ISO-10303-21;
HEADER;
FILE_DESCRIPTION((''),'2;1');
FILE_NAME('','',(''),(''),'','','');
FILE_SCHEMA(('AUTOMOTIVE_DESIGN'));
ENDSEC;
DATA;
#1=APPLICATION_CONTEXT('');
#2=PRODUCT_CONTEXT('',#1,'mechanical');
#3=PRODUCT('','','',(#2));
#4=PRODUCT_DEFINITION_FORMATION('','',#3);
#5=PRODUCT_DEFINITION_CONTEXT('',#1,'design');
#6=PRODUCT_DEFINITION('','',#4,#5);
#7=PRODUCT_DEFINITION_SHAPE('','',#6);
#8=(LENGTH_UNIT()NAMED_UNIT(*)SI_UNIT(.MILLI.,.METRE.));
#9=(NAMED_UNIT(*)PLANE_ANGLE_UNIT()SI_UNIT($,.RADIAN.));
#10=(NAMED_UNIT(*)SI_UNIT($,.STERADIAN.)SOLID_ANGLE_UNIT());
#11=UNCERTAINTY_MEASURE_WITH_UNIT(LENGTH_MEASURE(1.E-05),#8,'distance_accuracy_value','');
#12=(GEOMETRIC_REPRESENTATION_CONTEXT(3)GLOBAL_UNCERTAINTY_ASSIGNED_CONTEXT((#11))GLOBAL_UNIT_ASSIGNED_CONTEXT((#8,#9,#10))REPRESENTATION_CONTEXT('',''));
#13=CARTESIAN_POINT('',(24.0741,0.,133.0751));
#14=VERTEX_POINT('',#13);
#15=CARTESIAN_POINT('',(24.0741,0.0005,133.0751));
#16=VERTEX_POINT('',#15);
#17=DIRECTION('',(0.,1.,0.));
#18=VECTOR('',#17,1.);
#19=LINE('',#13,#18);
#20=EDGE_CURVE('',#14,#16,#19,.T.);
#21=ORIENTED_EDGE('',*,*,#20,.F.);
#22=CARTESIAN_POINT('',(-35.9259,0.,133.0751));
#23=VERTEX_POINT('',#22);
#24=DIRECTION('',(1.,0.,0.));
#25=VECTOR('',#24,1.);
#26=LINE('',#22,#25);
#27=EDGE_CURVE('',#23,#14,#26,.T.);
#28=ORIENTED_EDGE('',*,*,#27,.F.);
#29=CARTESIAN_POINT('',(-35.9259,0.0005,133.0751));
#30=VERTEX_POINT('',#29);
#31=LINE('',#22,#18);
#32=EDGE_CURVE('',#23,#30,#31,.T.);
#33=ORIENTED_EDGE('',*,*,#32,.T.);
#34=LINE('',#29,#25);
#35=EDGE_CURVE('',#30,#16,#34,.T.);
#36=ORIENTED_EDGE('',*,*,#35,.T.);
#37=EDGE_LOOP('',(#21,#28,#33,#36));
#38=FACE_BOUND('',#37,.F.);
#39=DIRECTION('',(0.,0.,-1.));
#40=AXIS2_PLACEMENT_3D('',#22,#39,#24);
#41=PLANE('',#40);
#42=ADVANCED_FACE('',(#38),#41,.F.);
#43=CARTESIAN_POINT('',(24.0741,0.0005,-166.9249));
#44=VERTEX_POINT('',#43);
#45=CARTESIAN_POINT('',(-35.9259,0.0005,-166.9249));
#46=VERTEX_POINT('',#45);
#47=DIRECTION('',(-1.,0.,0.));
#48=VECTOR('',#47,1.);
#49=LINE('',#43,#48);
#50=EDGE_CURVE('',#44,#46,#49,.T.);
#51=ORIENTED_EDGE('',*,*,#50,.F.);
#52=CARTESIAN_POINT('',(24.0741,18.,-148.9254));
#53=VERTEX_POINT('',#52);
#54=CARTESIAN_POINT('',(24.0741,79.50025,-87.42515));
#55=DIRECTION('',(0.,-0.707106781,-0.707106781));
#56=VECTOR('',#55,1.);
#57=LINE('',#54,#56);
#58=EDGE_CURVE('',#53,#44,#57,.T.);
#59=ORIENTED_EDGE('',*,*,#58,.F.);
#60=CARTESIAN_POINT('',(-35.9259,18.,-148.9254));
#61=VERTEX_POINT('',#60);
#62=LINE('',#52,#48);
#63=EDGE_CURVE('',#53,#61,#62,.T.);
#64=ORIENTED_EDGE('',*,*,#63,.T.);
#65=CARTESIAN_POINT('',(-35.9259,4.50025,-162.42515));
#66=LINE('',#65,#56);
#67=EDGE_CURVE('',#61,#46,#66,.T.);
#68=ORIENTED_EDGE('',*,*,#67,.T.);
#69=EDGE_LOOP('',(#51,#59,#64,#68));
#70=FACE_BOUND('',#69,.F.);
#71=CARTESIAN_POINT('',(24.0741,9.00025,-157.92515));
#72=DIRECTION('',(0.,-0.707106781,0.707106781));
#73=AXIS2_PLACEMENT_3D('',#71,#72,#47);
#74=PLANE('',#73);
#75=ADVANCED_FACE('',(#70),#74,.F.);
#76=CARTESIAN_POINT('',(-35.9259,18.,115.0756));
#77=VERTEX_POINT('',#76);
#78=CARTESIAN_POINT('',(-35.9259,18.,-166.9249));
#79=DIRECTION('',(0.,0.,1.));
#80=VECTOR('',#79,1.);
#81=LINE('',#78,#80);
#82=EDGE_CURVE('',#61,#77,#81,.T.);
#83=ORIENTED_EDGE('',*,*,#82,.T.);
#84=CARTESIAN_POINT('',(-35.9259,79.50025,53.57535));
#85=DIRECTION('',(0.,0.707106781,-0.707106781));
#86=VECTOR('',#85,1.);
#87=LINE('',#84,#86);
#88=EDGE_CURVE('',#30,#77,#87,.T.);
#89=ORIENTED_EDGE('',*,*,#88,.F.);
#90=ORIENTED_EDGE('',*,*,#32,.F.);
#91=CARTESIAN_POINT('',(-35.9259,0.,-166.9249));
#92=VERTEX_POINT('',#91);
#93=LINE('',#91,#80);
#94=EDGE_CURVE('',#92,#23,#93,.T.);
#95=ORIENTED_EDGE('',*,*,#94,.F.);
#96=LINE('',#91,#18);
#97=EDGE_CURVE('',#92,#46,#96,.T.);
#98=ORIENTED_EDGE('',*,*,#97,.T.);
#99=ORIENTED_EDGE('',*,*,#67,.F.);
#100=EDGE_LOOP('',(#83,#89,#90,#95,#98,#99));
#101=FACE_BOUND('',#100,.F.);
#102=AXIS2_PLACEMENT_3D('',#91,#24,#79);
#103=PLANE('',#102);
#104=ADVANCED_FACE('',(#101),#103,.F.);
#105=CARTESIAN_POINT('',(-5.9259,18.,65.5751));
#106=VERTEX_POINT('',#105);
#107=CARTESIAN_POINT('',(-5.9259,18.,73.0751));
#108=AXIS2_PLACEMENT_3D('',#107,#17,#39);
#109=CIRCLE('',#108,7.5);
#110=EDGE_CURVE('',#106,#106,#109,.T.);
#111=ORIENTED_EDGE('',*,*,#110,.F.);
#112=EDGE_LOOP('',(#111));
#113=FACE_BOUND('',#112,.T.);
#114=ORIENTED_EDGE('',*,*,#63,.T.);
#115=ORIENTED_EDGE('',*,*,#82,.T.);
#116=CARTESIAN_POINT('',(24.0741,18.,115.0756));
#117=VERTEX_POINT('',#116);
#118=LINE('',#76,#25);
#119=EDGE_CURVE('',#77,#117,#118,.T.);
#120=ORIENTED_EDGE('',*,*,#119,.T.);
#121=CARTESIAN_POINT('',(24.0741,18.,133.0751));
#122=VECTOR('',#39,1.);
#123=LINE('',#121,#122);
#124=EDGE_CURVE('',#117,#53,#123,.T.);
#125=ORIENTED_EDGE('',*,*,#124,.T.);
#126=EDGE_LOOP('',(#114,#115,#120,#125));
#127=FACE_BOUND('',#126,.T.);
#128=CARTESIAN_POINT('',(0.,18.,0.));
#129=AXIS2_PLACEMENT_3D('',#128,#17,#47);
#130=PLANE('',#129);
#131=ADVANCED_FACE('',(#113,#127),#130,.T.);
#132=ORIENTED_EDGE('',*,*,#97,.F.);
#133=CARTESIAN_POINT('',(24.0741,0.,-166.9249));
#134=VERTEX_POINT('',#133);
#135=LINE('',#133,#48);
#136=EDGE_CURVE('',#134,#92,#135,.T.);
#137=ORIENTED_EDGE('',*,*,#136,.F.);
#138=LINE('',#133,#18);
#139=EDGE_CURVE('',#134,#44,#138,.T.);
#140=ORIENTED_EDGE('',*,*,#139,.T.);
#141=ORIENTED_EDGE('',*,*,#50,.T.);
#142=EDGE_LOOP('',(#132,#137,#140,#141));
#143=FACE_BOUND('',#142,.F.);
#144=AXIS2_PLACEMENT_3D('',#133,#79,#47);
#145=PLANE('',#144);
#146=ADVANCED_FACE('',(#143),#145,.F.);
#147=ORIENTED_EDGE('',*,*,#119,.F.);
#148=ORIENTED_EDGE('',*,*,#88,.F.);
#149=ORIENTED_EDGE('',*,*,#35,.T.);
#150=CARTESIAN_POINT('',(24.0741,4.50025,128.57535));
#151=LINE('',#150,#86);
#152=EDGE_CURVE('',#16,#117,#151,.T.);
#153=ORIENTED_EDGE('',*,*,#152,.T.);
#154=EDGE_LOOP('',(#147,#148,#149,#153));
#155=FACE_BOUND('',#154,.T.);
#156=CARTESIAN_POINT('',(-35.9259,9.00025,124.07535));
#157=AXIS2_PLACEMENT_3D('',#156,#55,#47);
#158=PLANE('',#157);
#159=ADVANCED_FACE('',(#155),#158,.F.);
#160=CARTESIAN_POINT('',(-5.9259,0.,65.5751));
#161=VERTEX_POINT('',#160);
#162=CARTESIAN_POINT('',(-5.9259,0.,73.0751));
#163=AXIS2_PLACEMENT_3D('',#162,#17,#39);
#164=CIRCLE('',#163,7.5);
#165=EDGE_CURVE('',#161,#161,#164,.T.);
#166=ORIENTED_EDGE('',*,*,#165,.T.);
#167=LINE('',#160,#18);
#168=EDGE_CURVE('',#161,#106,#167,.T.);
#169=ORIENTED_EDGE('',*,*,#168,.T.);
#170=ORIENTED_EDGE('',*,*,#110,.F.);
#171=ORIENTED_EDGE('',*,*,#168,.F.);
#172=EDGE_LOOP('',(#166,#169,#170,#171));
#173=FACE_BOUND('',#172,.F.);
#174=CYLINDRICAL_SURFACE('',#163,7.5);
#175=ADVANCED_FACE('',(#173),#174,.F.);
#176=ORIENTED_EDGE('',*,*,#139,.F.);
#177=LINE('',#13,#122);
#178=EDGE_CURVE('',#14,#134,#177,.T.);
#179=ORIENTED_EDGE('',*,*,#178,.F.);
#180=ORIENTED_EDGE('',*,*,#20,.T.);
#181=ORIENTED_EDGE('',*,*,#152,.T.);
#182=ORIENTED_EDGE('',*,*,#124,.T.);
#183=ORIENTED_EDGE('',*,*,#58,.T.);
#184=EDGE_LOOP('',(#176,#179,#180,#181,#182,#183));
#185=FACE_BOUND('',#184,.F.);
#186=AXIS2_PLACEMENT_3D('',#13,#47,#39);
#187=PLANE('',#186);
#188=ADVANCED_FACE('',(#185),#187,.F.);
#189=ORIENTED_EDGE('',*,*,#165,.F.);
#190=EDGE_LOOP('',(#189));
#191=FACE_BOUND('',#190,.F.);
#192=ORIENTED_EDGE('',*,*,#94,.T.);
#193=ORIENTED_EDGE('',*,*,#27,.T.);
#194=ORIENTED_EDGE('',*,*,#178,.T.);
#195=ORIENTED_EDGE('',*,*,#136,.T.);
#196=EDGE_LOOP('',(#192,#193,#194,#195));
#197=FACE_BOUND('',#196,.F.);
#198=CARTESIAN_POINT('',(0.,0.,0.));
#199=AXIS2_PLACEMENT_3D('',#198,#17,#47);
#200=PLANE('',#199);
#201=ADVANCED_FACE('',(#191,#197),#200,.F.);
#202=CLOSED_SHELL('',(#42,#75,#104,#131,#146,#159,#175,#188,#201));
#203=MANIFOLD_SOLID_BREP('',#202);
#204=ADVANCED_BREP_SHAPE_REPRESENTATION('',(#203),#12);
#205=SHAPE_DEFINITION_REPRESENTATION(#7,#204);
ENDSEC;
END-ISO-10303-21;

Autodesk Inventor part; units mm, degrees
ref_plane "YZ Plane" through (0, 0, 0) normal (1, 0, 0) x (0, 1, 0)
ref_plane "XZ Plane" through (0, 0, 0) normal (0, 1, 0) x (-1, 0, 0)
ref_plane "XY Plane" through (0, 0, 0) normal (0, 0, 1) x (1, 0, 0)
sketch "Skizze1" plane through (0, 0, 0) normal (0, 1, 0) x (-1, 0, 0)
  line L0 (35.9259, 133.0751) -> (-24.0741, 133.0751)
  line L1 (-24.0741, 133.0751) -> (-24.0741, -166.9249)
  line L2 (-24.0741, -166.9249) -> (35.9259, -166.9249)
  line L3 (35.9259, -166.9249) -> (35.9259, 133.0751)
  point P0 (0, 0)
  point P1 (5.9259, 83.0751)
  dimension "d0" = 60
  dimension "d1" = 300
  dimension "d24" = 30
  dimension "d25" = 50
extrude "Extrusion1" add sketch "Skizze1" along normal blind 18
chamfer "Fase1" distance 18 angle 45 1 edges at (-5.9259, 18, 133.0751)
chamfer "Fase2" distance 18 angle 45 1 edges at (-5.9259, 18, -166.9249)
sketch "Skizze4" plane through (0, 0, 0) normal (0, -1, 0) x (1, 0, 0)
  line L0 (-35.9259, -166.9249) -> (-35.9259, 133.0751) projected
  line L1 (-35.9259, 133.0751) -> (24.0741, 133.0751) projected
  point P0 (0, 0)
  point P1 (-5.9259, 73.0751)
  dimension "d33" = 30
  dimension "d34" = 60
hole "Bohrung5" at (-5.9259, 0, 73.0751) direction (0, 1, 0) diameter 15 end through all
sketch "Skizze2" plane through (0, 18, 0) normal (0, 1, 0) x (1, 0, 0)
  point P0 (38.0741, -40.5751)
sketch "Skizze3" plane through (0, 18, 0) normal (0, 1, 0) x (1, 0, 0)
  point P0 (38.0741, 74.4249)
properties part number "Front" material "Holz (Eiche)"
